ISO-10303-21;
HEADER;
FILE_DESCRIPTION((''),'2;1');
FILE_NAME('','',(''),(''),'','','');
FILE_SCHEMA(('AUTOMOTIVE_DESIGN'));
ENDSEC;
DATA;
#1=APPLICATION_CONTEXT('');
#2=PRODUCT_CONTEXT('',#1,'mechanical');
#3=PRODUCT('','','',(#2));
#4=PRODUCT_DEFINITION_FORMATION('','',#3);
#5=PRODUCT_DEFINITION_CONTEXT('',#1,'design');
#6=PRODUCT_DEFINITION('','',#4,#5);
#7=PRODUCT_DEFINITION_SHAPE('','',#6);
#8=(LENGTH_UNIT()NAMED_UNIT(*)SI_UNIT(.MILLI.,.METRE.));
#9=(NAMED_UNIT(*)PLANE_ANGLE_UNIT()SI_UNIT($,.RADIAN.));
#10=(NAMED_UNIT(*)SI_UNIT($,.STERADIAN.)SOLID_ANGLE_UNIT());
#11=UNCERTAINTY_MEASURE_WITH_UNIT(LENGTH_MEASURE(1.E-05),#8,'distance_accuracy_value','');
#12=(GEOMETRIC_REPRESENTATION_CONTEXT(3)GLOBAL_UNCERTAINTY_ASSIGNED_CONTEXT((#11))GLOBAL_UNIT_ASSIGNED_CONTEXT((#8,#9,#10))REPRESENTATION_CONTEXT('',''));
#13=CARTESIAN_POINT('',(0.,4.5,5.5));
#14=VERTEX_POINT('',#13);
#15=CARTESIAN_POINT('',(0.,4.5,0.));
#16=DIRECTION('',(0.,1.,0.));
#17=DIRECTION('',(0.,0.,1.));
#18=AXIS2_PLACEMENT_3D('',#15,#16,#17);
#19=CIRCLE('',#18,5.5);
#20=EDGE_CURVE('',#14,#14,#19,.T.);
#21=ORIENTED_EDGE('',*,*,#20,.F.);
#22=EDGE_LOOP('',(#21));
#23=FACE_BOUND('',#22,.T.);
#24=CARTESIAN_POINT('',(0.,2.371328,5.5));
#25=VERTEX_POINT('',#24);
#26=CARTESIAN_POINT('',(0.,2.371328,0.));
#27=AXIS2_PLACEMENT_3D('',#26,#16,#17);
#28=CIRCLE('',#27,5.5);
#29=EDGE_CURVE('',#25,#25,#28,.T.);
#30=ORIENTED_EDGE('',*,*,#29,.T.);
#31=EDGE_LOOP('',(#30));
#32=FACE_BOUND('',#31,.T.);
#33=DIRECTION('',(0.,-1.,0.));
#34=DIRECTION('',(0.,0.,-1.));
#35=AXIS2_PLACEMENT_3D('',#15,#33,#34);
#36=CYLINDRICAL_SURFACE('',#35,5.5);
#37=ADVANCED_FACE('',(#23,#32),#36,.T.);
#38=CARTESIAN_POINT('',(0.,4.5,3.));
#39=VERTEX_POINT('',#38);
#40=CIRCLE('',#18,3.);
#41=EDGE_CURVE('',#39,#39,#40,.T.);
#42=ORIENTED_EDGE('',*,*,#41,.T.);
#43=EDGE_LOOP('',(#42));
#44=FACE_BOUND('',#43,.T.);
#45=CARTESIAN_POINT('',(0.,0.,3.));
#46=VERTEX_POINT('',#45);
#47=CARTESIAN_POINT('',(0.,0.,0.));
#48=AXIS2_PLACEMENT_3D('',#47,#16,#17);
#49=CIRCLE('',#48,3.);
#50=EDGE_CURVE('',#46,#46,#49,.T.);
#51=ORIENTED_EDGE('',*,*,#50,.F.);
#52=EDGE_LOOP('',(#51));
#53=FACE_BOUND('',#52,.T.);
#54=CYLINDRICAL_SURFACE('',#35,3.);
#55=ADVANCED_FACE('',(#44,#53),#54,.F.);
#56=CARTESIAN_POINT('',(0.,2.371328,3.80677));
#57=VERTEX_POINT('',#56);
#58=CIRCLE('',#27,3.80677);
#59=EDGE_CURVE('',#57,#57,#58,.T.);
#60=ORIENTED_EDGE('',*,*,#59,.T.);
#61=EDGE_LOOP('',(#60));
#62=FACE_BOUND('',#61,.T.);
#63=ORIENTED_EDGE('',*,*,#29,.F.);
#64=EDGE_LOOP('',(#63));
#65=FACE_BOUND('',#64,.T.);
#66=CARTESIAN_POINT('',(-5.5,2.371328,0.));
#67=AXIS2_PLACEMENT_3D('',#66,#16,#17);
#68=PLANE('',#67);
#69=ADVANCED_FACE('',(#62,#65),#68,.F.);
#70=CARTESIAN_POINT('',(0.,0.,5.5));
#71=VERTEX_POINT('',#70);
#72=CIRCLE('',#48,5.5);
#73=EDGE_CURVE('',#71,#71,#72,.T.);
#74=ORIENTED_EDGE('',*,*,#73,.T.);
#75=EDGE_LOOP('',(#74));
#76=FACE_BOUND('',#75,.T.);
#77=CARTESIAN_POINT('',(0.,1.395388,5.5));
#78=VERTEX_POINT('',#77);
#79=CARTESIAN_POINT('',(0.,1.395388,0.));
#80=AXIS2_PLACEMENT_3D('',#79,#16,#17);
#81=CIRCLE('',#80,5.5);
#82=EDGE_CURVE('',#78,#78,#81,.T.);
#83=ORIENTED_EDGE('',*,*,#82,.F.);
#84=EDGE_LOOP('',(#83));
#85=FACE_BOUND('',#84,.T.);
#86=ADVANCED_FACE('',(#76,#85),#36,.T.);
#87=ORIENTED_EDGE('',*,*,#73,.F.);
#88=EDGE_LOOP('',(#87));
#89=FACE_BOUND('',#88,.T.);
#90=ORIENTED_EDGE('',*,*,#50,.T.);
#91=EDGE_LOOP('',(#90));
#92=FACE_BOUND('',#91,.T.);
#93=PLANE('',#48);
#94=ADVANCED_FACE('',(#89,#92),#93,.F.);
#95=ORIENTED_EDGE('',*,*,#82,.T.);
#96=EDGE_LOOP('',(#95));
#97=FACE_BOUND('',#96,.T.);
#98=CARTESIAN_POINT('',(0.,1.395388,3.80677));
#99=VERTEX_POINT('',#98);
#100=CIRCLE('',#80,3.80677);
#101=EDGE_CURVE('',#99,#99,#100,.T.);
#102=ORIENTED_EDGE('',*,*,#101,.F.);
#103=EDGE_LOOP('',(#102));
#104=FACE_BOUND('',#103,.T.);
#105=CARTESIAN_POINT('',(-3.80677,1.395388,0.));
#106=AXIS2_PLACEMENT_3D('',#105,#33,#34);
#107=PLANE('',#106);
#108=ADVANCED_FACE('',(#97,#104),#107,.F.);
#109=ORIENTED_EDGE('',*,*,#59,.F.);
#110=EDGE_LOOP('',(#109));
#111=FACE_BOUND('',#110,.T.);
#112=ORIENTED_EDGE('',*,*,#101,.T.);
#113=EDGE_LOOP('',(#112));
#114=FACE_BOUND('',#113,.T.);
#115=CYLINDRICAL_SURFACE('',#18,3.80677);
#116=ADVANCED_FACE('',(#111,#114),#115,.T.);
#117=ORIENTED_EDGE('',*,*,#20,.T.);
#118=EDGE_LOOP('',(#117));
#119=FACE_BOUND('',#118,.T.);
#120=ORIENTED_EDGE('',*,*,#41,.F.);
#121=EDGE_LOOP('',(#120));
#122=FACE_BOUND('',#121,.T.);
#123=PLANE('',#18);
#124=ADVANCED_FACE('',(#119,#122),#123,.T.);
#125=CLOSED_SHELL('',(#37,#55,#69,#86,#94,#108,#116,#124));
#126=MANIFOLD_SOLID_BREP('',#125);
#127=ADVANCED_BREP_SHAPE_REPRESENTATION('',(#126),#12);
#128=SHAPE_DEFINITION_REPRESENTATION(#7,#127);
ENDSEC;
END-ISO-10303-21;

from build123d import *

# Parameters (mm, degrees)
SKETCH_1_R      = 5.5
SKETCH_1_R_2    = 3
EXTRUDE_1_DEPTH = 4.5
SKETCH_2_W      = 1.693229727
SKETCH_2_H      = 0.975939513


with BuildPart() as part:
    # 草图1 → 凸台-拉伸1 (new body)
    with BuildSketch(Plane(origin=(0, 0, 0), x_dir=(1, 0, 0), z_dir=(0, 1, 0))):
        with Locations(Location((0, 0, 0), (0, 0, 270))):
            Circle(SKETCH_1_R)
        with Locations(Location((0, 0, 0), (0, 0, 270))):
            Circle(SKETCH_1_R_2, mode=Mode.SUBTRACT)
    extrude(amount=EXTRUDE_1_DEPTH)

    # 草图2 → 切除-旋转1 (revolve, cut)
    with BuildSketch(Plane.XY, mode=Mode.PRIVATE) as cut_revolve_1_sk:
        with Locations((-4.653385136, 1.883358194)):
            Rectangle(SKETCH_2_W, SKETCH_2_H)
    revolve(cut_revolve_1_sk.sketch.rotate(Axis((0, 4.5, 0), (0, -1, 0)), 270), axis=Axis((0, 4.5, 0), (0, -1, 0)), mode=Mode.SUBTRACT)


solid = part.part
